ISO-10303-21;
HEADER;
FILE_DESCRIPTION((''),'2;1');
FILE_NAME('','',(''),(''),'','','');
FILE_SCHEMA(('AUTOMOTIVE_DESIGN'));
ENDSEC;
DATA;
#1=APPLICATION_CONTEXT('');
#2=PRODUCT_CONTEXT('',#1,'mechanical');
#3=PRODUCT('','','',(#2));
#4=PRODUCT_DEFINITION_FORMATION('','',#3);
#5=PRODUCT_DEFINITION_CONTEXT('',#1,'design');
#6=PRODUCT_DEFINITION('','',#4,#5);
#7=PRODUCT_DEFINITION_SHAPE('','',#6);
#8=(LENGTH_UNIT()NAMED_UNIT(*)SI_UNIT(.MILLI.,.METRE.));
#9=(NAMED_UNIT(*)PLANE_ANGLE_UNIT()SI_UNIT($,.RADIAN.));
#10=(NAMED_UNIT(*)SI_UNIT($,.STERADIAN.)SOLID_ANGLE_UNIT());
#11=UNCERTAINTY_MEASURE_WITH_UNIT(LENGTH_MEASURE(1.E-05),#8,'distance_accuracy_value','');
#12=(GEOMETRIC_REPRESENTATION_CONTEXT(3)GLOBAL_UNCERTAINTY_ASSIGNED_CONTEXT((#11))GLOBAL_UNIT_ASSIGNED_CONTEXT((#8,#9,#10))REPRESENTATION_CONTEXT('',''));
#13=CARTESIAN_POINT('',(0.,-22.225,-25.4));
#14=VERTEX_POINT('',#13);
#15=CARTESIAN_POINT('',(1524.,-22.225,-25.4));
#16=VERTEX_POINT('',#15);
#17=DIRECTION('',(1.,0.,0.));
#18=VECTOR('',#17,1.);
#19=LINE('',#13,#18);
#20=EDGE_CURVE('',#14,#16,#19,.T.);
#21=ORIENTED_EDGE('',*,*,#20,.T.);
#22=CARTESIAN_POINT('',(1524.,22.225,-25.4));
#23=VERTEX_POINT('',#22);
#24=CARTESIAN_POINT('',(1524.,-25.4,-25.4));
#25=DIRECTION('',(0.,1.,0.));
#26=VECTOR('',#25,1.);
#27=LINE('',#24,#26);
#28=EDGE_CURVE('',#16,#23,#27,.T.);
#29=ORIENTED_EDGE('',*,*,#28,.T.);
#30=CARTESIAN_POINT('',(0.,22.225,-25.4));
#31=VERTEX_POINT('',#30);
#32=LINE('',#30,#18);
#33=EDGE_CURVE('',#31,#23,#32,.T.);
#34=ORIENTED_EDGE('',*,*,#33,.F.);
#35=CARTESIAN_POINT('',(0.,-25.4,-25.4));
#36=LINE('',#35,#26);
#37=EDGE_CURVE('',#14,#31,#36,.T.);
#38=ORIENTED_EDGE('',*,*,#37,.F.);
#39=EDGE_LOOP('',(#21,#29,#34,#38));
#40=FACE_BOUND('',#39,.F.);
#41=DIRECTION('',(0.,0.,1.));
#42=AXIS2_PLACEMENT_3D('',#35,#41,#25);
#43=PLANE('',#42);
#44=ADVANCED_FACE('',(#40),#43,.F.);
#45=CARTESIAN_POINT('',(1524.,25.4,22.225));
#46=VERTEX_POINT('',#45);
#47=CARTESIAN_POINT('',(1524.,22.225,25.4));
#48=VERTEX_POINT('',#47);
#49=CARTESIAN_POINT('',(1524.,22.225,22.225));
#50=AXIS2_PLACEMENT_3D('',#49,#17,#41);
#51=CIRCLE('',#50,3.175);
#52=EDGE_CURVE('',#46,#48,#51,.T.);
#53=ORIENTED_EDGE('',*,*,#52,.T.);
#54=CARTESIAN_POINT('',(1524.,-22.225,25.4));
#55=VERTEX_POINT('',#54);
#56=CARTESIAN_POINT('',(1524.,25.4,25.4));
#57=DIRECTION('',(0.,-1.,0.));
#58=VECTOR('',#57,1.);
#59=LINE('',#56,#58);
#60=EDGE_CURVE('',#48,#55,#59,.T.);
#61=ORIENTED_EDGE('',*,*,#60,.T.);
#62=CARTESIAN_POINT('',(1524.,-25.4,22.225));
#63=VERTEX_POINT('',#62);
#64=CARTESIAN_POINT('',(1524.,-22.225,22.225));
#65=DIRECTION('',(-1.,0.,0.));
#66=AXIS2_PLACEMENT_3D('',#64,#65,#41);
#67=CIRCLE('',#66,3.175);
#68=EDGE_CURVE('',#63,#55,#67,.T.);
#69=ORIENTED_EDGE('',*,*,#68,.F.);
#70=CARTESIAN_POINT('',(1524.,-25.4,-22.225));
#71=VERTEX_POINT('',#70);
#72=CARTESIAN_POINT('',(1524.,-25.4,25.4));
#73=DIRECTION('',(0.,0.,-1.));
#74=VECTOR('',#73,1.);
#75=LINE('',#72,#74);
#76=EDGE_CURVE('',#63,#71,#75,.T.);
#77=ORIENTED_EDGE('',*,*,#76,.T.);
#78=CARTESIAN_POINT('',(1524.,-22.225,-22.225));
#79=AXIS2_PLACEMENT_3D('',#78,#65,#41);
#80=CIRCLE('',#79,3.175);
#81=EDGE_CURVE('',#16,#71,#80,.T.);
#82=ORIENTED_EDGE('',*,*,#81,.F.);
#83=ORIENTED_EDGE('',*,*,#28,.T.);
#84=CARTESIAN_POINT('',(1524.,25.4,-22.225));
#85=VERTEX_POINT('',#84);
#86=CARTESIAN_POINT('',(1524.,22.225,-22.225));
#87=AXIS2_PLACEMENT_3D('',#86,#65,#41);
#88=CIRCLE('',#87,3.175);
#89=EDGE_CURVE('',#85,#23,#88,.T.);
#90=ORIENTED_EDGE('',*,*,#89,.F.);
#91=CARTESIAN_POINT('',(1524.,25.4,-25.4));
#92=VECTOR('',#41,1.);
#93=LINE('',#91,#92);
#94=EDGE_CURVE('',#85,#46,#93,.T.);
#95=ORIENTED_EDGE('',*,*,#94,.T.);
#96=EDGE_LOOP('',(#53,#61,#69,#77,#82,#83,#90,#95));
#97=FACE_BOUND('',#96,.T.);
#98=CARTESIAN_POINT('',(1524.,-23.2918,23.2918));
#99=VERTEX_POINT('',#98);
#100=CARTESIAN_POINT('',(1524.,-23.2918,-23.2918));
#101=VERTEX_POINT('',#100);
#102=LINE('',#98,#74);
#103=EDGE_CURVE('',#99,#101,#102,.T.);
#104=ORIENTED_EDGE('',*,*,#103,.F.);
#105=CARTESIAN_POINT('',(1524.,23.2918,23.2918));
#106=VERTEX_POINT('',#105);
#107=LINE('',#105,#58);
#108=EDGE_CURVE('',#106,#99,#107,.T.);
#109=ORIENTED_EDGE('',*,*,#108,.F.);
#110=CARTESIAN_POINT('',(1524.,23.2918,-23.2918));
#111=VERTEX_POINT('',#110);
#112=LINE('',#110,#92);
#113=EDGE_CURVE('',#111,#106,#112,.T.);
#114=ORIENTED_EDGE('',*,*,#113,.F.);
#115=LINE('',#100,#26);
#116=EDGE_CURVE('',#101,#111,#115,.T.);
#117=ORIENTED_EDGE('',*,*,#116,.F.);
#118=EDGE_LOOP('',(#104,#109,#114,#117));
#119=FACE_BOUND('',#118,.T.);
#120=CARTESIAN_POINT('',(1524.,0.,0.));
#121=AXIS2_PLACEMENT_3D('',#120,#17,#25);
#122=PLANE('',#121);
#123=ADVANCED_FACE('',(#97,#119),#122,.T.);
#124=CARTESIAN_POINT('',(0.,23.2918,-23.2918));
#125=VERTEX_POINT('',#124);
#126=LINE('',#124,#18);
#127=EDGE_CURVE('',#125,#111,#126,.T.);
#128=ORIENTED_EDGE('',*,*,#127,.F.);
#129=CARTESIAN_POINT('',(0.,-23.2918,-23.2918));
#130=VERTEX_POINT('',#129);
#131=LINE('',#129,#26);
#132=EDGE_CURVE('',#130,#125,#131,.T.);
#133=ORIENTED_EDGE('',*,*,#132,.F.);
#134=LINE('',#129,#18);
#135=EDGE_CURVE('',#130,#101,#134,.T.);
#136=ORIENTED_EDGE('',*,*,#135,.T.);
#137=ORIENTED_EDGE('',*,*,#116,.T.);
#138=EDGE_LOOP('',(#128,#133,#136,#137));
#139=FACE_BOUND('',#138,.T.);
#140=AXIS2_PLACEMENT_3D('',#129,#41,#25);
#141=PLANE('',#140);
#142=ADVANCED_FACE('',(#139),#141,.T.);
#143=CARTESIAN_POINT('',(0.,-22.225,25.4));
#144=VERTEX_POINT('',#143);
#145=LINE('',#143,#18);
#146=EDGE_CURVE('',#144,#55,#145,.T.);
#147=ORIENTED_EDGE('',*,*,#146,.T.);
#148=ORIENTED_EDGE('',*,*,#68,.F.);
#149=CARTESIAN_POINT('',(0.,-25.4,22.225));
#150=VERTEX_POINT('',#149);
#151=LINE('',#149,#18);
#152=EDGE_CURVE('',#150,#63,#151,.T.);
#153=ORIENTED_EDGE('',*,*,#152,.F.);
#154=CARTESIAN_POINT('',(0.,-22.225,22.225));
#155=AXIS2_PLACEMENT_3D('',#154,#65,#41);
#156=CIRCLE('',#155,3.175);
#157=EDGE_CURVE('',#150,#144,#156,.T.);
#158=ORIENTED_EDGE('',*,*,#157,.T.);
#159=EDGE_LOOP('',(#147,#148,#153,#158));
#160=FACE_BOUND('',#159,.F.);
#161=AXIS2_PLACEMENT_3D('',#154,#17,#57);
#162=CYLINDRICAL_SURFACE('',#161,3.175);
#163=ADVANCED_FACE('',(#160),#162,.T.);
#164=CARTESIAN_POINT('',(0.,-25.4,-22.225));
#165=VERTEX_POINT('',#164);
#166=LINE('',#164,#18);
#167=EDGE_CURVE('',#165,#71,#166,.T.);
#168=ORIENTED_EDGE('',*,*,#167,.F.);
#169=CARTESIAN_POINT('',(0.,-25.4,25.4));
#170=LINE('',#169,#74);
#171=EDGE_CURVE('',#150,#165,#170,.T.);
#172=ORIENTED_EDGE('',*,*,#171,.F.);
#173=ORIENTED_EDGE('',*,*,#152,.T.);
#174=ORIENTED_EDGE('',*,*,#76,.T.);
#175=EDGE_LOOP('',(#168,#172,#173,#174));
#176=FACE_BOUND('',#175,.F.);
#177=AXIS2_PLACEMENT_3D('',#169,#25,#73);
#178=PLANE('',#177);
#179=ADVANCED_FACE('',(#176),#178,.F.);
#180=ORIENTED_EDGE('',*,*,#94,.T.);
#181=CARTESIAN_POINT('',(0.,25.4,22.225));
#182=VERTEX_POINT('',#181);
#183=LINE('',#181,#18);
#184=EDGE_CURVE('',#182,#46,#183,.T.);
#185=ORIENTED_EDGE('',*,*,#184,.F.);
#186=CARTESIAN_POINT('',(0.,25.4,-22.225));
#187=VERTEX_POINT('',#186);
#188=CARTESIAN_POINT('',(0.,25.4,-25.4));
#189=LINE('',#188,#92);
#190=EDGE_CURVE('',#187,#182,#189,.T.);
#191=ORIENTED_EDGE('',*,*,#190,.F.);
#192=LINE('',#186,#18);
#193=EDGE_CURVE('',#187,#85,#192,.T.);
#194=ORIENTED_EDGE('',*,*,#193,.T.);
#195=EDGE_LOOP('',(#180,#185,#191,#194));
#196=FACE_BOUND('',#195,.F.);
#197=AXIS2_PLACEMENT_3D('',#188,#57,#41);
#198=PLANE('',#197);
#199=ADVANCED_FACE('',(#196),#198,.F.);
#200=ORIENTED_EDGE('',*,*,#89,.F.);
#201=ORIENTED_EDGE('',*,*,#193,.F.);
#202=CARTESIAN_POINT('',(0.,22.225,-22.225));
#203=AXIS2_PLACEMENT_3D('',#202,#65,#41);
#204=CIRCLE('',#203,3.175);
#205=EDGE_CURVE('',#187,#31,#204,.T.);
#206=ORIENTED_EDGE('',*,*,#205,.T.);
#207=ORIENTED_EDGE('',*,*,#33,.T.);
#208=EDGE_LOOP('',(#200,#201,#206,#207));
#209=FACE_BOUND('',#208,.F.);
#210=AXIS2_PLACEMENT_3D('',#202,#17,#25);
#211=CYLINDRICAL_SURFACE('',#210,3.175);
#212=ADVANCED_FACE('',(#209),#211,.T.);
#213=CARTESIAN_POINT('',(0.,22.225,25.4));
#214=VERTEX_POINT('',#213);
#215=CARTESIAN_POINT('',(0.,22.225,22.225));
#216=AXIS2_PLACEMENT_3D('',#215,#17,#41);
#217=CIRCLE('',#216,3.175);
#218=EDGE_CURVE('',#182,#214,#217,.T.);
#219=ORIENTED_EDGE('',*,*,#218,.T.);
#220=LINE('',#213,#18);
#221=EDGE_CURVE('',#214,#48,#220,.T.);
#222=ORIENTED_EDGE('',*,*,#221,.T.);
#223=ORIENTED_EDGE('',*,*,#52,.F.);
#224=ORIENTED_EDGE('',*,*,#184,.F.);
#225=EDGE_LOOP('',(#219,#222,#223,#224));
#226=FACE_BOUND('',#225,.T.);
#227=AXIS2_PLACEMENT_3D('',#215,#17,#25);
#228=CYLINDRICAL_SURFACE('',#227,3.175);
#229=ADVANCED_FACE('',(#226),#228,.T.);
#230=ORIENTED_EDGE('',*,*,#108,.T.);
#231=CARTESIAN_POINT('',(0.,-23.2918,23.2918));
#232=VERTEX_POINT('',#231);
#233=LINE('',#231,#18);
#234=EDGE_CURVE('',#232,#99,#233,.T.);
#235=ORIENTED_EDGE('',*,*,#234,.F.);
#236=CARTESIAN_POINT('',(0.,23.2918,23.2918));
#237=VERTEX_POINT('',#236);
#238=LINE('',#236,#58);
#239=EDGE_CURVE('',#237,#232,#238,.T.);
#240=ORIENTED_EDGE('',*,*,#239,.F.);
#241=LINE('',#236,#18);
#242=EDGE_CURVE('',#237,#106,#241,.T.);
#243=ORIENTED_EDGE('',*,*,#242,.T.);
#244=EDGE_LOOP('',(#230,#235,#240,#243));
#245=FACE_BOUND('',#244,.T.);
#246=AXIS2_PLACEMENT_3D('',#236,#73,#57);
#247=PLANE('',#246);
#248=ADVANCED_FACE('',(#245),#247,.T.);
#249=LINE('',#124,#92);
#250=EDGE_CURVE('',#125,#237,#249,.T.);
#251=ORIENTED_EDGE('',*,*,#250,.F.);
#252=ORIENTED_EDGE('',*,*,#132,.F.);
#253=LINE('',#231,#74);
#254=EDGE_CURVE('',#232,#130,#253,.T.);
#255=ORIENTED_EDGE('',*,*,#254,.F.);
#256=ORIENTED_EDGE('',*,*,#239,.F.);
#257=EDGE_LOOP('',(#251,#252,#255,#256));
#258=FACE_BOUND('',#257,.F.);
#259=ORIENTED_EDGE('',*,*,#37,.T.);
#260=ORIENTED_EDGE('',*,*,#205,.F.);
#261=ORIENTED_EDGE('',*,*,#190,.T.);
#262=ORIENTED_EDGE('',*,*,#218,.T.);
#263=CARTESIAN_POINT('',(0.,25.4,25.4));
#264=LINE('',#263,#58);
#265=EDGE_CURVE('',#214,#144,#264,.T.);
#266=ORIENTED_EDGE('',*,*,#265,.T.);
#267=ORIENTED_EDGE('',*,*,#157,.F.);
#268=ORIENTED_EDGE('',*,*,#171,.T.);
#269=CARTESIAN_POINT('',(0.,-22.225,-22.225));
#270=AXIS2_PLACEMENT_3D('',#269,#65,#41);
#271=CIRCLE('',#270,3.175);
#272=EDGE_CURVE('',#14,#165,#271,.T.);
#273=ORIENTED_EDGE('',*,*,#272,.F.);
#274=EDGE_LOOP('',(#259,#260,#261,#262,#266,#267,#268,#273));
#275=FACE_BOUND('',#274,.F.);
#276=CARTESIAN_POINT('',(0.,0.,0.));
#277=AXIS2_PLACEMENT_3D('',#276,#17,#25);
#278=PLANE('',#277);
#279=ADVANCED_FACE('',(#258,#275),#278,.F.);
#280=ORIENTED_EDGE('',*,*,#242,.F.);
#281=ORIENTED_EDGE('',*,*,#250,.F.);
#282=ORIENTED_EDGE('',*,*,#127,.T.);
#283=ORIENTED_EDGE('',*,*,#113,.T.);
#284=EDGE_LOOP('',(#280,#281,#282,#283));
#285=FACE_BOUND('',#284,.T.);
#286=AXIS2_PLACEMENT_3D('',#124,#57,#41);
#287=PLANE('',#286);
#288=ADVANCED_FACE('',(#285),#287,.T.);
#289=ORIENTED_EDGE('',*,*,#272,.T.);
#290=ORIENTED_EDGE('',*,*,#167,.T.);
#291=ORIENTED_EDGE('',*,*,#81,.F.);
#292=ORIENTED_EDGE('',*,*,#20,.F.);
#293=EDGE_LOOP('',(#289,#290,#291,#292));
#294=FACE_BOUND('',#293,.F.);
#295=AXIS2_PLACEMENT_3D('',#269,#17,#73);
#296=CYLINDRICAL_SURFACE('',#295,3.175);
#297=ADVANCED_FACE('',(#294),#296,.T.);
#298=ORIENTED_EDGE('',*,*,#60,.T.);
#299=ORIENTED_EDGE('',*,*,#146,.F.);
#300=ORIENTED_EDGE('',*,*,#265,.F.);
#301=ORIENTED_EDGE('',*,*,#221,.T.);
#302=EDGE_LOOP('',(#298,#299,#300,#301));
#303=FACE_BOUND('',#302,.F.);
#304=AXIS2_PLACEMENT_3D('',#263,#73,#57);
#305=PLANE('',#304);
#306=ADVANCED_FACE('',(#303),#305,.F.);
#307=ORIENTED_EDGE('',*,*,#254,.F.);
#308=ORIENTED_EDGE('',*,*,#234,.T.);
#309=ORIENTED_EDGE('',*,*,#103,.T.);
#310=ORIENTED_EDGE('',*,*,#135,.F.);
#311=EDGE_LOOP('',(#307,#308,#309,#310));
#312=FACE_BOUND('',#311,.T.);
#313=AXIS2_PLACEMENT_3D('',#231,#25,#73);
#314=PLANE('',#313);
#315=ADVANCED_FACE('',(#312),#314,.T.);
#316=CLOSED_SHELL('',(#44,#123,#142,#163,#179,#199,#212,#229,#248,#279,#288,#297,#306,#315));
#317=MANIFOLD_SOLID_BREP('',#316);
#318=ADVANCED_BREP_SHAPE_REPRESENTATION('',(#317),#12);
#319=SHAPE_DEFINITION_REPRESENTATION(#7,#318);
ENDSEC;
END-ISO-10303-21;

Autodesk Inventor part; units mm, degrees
ref_plane "YZ Plane" through (0, 0, 0) normal (1, 0, 0) x (0, 1, 0)
ref_plane "XZ Plane" through (0, 0, 0) normal (0, 1, 0) x (-1, 0, 0)
ref_plane "XY Plane" through (0, 0, 0) normal (0, 0, 1) x (1, 0, 0)
sketch "Sketch1" plane through (0, 0, 0) normal (1, 0, 0) x (0, 1, 0)
  line L0 (25.4, 25.4) -> (-25.4, 25.4)
  line L1 (-25.4, 25.4) -> (-25.4, -25.4)
  line L2 (-25.4, -25.4) -> (25.4, -25.4)
  line L3 (25.4, -25.4) -> (25.4, 25.4)
  line L4 (23.2918, 23.2918) -> (-23.2918, 23.2918)
  line L5 (-23.2918, 23.2918) -> (-23.2918, -23.2918)
  line L6 (-23.2918, -23.2918) -> (23.2918, -23.2918)
  line L7 (23.2918, -23.2918) -> (23.2918, 23.2918)
  point P0 (0, 0)
  point P1 (0, -25.4)
  point P2 (25.4, 0)
  dimension "d0" = 50.8
  dimension "d1" = 50.8
  dimension "d2" = 2.1082
extrude "Extrusion1" add sketch "Sketch1" along normal blind 1524
fillet "Fillet1" radius 3.175 4 edges at (762, 25.4, 25.4) (762, -25.4, 25.4) (762, 25.4, -25.4) (762, -25.4, -25.4)
properties part number "60_inch_square" material "Steel"
